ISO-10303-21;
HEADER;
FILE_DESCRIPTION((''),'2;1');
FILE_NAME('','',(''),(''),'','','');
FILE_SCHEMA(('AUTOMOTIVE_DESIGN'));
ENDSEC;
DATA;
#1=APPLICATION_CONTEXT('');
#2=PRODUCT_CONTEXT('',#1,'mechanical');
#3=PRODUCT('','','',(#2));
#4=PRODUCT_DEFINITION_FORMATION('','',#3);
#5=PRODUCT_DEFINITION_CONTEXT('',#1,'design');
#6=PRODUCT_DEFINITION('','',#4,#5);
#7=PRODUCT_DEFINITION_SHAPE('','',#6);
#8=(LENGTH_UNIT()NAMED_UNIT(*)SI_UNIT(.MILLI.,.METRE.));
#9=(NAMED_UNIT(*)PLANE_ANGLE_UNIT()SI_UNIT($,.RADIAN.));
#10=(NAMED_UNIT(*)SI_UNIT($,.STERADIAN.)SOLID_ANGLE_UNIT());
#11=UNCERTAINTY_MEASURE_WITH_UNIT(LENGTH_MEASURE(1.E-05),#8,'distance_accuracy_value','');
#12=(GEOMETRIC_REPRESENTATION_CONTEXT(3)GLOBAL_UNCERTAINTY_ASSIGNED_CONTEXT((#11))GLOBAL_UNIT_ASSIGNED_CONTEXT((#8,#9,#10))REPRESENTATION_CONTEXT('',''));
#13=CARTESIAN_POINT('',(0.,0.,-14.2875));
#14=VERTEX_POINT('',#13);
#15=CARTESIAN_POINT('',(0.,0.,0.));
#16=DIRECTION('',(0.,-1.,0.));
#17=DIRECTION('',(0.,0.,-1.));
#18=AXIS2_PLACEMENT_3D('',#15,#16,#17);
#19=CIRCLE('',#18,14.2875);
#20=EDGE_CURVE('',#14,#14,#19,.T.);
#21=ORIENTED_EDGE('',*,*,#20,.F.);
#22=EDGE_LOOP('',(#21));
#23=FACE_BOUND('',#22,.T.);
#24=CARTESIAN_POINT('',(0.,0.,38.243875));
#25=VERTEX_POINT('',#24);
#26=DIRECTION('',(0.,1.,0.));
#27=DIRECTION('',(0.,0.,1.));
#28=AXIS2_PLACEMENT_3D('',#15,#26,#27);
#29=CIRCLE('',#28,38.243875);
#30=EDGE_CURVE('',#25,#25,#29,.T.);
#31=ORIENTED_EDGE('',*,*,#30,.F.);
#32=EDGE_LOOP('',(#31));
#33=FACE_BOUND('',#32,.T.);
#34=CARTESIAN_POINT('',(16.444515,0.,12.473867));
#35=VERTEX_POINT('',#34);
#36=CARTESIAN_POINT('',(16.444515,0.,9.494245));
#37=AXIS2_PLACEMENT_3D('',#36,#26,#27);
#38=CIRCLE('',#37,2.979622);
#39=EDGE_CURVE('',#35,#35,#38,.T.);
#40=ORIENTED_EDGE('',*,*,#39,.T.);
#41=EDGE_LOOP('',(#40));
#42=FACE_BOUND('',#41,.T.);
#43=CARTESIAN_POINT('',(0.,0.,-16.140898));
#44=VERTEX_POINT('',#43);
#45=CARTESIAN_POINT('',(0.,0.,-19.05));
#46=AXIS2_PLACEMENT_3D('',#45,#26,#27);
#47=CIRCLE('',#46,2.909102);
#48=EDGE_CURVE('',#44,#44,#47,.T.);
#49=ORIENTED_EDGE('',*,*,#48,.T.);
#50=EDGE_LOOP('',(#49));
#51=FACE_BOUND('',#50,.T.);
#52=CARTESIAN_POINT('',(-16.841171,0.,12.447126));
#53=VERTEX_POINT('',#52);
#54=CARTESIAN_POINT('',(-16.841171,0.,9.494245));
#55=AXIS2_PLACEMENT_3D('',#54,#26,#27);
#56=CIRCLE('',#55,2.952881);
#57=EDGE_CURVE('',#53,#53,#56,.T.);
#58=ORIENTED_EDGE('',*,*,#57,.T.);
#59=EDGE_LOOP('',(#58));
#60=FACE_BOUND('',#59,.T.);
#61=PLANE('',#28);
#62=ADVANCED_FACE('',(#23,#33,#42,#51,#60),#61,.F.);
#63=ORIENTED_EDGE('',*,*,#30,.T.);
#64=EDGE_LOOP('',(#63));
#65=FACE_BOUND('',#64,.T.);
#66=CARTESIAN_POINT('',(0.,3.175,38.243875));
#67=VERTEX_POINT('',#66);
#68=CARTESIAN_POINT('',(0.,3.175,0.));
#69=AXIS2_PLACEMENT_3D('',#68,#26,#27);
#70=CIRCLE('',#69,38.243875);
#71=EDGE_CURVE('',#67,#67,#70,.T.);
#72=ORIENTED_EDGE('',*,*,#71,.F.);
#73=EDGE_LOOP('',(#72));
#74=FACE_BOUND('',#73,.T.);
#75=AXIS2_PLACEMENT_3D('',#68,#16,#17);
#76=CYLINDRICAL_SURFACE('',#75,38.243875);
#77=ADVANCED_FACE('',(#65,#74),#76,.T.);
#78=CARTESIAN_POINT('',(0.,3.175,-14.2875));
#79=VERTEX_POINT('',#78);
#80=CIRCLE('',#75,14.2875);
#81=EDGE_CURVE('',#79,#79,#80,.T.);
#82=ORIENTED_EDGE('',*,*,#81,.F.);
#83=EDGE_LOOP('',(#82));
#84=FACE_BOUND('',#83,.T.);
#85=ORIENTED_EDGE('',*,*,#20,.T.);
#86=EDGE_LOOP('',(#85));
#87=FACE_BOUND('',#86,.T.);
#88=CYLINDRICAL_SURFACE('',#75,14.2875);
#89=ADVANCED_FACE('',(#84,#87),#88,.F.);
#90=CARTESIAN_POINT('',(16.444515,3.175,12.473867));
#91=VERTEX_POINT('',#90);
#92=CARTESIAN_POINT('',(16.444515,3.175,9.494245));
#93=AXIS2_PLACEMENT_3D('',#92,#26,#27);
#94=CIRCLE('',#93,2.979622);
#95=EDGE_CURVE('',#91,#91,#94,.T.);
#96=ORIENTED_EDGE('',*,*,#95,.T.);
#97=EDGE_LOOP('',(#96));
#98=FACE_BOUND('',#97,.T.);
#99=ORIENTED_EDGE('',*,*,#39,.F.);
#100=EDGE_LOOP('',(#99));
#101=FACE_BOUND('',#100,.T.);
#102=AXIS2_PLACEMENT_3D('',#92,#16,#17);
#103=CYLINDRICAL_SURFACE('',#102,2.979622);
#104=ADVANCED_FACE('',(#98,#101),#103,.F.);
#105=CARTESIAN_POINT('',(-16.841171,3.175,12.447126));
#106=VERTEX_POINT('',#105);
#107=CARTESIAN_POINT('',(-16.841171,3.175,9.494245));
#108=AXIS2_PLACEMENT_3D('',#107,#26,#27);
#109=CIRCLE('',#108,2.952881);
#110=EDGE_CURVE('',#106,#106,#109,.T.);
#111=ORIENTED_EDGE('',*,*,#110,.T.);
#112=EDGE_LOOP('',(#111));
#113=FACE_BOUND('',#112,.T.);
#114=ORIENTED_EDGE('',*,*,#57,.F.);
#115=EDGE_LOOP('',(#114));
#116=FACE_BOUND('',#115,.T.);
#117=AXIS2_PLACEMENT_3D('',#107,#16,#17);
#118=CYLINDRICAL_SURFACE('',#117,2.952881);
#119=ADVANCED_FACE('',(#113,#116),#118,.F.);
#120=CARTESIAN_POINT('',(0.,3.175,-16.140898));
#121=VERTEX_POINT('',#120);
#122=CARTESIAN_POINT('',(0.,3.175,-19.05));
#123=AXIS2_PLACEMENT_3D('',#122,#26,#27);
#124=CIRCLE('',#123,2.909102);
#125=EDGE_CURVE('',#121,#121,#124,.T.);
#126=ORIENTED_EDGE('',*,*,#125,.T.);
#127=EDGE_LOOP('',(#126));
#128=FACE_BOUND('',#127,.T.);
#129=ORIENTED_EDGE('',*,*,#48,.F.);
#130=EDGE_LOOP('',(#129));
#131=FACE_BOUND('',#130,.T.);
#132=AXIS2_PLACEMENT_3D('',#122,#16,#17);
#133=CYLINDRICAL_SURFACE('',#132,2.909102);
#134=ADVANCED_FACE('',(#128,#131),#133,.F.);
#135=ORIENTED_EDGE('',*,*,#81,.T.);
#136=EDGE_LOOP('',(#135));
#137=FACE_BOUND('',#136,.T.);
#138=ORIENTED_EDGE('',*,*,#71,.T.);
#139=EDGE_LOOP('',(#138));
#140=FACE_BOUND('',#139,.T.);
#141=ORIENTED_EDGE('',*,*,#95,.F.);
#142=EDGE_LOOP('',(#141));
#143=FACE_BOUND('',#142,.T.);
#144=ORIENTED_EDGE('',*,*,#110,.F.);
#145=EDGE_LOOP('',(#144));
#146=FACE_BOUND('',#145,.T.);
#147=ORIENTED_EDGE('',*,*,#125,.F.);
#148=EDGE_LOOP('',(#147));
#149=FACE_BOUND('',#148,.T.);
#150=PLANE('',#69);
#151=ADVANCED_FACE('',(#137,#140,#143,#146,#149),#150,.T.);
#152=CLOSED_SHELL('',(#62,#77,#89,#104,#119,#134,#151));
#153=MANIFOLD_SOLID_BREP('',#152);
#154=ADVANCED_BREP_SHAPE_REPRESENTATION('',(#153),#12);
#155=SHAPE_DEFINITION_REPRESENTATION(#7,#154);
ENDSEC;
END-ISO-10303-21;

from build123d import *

# Parameters (mm, degrees)
SKETCH1_R           = 38.243875115
SKETCH1_R_2         = 12.860433797
SKETCH1_R_3         = 2.952880618
SKETCH1_R_4         = 2.979621757
SKETCH1_R_5         = 2.909102137
BOSS_EXTRUDE1_DEPTH = 3.175
SKETCH2_R           = 14.2875
CUT_EXTRUDE1_DEPTH  = 3.175


with BuildPart() as part:
    # Sketch1 → Boss-Extrude1 (new body)
    with BuildSketch(Plane(origin=(0, 0, 0), x_dir=(1, 0, 0), z_dir=(0, 1, 0))):
        with Locations(Location((0, 0, 0), (0, 0, 270))):
            Circle(SKETCH1_R)
        with Locations(Location((0, 0, 0), (0, 0, 270))):
            Circle(SKETCH1_R_2, mode=Mode.SUBTRACT)
        with Locations(Location((-16.841170726, -9.494245367, 0), (0, 0, 270))):
            Circle(SKETCH1_R_3, mode=Mode.SUBTRACT)
        with Locations(Location((16.444515355, -9.494245367, 0), (0, 0, 270))):
            Circle(SKETCH1_R_4, mode=Mode.SUBTRACT)
        with Locations(Location((0, 19.05, 0), (0, 0, 270))):
            Circle(SKETCH1_R_5, mode=Mode.SUBTRACT)
    extrude(amount=BOSS_EXTRUDE1_DEPTH)

    # Sketch2 → Cut-Extrude1 (cut)
    with BuildSketch(Plane.XZ):
        with Locations(Location((0, 0, 0), (0, 0, 270))):
            Circle(SKETCH2_R)
    extrude(amount=-CUT_EXTRUDE1_DEPTH, mode=Mode.SUBTRACT)


solid = part.part
